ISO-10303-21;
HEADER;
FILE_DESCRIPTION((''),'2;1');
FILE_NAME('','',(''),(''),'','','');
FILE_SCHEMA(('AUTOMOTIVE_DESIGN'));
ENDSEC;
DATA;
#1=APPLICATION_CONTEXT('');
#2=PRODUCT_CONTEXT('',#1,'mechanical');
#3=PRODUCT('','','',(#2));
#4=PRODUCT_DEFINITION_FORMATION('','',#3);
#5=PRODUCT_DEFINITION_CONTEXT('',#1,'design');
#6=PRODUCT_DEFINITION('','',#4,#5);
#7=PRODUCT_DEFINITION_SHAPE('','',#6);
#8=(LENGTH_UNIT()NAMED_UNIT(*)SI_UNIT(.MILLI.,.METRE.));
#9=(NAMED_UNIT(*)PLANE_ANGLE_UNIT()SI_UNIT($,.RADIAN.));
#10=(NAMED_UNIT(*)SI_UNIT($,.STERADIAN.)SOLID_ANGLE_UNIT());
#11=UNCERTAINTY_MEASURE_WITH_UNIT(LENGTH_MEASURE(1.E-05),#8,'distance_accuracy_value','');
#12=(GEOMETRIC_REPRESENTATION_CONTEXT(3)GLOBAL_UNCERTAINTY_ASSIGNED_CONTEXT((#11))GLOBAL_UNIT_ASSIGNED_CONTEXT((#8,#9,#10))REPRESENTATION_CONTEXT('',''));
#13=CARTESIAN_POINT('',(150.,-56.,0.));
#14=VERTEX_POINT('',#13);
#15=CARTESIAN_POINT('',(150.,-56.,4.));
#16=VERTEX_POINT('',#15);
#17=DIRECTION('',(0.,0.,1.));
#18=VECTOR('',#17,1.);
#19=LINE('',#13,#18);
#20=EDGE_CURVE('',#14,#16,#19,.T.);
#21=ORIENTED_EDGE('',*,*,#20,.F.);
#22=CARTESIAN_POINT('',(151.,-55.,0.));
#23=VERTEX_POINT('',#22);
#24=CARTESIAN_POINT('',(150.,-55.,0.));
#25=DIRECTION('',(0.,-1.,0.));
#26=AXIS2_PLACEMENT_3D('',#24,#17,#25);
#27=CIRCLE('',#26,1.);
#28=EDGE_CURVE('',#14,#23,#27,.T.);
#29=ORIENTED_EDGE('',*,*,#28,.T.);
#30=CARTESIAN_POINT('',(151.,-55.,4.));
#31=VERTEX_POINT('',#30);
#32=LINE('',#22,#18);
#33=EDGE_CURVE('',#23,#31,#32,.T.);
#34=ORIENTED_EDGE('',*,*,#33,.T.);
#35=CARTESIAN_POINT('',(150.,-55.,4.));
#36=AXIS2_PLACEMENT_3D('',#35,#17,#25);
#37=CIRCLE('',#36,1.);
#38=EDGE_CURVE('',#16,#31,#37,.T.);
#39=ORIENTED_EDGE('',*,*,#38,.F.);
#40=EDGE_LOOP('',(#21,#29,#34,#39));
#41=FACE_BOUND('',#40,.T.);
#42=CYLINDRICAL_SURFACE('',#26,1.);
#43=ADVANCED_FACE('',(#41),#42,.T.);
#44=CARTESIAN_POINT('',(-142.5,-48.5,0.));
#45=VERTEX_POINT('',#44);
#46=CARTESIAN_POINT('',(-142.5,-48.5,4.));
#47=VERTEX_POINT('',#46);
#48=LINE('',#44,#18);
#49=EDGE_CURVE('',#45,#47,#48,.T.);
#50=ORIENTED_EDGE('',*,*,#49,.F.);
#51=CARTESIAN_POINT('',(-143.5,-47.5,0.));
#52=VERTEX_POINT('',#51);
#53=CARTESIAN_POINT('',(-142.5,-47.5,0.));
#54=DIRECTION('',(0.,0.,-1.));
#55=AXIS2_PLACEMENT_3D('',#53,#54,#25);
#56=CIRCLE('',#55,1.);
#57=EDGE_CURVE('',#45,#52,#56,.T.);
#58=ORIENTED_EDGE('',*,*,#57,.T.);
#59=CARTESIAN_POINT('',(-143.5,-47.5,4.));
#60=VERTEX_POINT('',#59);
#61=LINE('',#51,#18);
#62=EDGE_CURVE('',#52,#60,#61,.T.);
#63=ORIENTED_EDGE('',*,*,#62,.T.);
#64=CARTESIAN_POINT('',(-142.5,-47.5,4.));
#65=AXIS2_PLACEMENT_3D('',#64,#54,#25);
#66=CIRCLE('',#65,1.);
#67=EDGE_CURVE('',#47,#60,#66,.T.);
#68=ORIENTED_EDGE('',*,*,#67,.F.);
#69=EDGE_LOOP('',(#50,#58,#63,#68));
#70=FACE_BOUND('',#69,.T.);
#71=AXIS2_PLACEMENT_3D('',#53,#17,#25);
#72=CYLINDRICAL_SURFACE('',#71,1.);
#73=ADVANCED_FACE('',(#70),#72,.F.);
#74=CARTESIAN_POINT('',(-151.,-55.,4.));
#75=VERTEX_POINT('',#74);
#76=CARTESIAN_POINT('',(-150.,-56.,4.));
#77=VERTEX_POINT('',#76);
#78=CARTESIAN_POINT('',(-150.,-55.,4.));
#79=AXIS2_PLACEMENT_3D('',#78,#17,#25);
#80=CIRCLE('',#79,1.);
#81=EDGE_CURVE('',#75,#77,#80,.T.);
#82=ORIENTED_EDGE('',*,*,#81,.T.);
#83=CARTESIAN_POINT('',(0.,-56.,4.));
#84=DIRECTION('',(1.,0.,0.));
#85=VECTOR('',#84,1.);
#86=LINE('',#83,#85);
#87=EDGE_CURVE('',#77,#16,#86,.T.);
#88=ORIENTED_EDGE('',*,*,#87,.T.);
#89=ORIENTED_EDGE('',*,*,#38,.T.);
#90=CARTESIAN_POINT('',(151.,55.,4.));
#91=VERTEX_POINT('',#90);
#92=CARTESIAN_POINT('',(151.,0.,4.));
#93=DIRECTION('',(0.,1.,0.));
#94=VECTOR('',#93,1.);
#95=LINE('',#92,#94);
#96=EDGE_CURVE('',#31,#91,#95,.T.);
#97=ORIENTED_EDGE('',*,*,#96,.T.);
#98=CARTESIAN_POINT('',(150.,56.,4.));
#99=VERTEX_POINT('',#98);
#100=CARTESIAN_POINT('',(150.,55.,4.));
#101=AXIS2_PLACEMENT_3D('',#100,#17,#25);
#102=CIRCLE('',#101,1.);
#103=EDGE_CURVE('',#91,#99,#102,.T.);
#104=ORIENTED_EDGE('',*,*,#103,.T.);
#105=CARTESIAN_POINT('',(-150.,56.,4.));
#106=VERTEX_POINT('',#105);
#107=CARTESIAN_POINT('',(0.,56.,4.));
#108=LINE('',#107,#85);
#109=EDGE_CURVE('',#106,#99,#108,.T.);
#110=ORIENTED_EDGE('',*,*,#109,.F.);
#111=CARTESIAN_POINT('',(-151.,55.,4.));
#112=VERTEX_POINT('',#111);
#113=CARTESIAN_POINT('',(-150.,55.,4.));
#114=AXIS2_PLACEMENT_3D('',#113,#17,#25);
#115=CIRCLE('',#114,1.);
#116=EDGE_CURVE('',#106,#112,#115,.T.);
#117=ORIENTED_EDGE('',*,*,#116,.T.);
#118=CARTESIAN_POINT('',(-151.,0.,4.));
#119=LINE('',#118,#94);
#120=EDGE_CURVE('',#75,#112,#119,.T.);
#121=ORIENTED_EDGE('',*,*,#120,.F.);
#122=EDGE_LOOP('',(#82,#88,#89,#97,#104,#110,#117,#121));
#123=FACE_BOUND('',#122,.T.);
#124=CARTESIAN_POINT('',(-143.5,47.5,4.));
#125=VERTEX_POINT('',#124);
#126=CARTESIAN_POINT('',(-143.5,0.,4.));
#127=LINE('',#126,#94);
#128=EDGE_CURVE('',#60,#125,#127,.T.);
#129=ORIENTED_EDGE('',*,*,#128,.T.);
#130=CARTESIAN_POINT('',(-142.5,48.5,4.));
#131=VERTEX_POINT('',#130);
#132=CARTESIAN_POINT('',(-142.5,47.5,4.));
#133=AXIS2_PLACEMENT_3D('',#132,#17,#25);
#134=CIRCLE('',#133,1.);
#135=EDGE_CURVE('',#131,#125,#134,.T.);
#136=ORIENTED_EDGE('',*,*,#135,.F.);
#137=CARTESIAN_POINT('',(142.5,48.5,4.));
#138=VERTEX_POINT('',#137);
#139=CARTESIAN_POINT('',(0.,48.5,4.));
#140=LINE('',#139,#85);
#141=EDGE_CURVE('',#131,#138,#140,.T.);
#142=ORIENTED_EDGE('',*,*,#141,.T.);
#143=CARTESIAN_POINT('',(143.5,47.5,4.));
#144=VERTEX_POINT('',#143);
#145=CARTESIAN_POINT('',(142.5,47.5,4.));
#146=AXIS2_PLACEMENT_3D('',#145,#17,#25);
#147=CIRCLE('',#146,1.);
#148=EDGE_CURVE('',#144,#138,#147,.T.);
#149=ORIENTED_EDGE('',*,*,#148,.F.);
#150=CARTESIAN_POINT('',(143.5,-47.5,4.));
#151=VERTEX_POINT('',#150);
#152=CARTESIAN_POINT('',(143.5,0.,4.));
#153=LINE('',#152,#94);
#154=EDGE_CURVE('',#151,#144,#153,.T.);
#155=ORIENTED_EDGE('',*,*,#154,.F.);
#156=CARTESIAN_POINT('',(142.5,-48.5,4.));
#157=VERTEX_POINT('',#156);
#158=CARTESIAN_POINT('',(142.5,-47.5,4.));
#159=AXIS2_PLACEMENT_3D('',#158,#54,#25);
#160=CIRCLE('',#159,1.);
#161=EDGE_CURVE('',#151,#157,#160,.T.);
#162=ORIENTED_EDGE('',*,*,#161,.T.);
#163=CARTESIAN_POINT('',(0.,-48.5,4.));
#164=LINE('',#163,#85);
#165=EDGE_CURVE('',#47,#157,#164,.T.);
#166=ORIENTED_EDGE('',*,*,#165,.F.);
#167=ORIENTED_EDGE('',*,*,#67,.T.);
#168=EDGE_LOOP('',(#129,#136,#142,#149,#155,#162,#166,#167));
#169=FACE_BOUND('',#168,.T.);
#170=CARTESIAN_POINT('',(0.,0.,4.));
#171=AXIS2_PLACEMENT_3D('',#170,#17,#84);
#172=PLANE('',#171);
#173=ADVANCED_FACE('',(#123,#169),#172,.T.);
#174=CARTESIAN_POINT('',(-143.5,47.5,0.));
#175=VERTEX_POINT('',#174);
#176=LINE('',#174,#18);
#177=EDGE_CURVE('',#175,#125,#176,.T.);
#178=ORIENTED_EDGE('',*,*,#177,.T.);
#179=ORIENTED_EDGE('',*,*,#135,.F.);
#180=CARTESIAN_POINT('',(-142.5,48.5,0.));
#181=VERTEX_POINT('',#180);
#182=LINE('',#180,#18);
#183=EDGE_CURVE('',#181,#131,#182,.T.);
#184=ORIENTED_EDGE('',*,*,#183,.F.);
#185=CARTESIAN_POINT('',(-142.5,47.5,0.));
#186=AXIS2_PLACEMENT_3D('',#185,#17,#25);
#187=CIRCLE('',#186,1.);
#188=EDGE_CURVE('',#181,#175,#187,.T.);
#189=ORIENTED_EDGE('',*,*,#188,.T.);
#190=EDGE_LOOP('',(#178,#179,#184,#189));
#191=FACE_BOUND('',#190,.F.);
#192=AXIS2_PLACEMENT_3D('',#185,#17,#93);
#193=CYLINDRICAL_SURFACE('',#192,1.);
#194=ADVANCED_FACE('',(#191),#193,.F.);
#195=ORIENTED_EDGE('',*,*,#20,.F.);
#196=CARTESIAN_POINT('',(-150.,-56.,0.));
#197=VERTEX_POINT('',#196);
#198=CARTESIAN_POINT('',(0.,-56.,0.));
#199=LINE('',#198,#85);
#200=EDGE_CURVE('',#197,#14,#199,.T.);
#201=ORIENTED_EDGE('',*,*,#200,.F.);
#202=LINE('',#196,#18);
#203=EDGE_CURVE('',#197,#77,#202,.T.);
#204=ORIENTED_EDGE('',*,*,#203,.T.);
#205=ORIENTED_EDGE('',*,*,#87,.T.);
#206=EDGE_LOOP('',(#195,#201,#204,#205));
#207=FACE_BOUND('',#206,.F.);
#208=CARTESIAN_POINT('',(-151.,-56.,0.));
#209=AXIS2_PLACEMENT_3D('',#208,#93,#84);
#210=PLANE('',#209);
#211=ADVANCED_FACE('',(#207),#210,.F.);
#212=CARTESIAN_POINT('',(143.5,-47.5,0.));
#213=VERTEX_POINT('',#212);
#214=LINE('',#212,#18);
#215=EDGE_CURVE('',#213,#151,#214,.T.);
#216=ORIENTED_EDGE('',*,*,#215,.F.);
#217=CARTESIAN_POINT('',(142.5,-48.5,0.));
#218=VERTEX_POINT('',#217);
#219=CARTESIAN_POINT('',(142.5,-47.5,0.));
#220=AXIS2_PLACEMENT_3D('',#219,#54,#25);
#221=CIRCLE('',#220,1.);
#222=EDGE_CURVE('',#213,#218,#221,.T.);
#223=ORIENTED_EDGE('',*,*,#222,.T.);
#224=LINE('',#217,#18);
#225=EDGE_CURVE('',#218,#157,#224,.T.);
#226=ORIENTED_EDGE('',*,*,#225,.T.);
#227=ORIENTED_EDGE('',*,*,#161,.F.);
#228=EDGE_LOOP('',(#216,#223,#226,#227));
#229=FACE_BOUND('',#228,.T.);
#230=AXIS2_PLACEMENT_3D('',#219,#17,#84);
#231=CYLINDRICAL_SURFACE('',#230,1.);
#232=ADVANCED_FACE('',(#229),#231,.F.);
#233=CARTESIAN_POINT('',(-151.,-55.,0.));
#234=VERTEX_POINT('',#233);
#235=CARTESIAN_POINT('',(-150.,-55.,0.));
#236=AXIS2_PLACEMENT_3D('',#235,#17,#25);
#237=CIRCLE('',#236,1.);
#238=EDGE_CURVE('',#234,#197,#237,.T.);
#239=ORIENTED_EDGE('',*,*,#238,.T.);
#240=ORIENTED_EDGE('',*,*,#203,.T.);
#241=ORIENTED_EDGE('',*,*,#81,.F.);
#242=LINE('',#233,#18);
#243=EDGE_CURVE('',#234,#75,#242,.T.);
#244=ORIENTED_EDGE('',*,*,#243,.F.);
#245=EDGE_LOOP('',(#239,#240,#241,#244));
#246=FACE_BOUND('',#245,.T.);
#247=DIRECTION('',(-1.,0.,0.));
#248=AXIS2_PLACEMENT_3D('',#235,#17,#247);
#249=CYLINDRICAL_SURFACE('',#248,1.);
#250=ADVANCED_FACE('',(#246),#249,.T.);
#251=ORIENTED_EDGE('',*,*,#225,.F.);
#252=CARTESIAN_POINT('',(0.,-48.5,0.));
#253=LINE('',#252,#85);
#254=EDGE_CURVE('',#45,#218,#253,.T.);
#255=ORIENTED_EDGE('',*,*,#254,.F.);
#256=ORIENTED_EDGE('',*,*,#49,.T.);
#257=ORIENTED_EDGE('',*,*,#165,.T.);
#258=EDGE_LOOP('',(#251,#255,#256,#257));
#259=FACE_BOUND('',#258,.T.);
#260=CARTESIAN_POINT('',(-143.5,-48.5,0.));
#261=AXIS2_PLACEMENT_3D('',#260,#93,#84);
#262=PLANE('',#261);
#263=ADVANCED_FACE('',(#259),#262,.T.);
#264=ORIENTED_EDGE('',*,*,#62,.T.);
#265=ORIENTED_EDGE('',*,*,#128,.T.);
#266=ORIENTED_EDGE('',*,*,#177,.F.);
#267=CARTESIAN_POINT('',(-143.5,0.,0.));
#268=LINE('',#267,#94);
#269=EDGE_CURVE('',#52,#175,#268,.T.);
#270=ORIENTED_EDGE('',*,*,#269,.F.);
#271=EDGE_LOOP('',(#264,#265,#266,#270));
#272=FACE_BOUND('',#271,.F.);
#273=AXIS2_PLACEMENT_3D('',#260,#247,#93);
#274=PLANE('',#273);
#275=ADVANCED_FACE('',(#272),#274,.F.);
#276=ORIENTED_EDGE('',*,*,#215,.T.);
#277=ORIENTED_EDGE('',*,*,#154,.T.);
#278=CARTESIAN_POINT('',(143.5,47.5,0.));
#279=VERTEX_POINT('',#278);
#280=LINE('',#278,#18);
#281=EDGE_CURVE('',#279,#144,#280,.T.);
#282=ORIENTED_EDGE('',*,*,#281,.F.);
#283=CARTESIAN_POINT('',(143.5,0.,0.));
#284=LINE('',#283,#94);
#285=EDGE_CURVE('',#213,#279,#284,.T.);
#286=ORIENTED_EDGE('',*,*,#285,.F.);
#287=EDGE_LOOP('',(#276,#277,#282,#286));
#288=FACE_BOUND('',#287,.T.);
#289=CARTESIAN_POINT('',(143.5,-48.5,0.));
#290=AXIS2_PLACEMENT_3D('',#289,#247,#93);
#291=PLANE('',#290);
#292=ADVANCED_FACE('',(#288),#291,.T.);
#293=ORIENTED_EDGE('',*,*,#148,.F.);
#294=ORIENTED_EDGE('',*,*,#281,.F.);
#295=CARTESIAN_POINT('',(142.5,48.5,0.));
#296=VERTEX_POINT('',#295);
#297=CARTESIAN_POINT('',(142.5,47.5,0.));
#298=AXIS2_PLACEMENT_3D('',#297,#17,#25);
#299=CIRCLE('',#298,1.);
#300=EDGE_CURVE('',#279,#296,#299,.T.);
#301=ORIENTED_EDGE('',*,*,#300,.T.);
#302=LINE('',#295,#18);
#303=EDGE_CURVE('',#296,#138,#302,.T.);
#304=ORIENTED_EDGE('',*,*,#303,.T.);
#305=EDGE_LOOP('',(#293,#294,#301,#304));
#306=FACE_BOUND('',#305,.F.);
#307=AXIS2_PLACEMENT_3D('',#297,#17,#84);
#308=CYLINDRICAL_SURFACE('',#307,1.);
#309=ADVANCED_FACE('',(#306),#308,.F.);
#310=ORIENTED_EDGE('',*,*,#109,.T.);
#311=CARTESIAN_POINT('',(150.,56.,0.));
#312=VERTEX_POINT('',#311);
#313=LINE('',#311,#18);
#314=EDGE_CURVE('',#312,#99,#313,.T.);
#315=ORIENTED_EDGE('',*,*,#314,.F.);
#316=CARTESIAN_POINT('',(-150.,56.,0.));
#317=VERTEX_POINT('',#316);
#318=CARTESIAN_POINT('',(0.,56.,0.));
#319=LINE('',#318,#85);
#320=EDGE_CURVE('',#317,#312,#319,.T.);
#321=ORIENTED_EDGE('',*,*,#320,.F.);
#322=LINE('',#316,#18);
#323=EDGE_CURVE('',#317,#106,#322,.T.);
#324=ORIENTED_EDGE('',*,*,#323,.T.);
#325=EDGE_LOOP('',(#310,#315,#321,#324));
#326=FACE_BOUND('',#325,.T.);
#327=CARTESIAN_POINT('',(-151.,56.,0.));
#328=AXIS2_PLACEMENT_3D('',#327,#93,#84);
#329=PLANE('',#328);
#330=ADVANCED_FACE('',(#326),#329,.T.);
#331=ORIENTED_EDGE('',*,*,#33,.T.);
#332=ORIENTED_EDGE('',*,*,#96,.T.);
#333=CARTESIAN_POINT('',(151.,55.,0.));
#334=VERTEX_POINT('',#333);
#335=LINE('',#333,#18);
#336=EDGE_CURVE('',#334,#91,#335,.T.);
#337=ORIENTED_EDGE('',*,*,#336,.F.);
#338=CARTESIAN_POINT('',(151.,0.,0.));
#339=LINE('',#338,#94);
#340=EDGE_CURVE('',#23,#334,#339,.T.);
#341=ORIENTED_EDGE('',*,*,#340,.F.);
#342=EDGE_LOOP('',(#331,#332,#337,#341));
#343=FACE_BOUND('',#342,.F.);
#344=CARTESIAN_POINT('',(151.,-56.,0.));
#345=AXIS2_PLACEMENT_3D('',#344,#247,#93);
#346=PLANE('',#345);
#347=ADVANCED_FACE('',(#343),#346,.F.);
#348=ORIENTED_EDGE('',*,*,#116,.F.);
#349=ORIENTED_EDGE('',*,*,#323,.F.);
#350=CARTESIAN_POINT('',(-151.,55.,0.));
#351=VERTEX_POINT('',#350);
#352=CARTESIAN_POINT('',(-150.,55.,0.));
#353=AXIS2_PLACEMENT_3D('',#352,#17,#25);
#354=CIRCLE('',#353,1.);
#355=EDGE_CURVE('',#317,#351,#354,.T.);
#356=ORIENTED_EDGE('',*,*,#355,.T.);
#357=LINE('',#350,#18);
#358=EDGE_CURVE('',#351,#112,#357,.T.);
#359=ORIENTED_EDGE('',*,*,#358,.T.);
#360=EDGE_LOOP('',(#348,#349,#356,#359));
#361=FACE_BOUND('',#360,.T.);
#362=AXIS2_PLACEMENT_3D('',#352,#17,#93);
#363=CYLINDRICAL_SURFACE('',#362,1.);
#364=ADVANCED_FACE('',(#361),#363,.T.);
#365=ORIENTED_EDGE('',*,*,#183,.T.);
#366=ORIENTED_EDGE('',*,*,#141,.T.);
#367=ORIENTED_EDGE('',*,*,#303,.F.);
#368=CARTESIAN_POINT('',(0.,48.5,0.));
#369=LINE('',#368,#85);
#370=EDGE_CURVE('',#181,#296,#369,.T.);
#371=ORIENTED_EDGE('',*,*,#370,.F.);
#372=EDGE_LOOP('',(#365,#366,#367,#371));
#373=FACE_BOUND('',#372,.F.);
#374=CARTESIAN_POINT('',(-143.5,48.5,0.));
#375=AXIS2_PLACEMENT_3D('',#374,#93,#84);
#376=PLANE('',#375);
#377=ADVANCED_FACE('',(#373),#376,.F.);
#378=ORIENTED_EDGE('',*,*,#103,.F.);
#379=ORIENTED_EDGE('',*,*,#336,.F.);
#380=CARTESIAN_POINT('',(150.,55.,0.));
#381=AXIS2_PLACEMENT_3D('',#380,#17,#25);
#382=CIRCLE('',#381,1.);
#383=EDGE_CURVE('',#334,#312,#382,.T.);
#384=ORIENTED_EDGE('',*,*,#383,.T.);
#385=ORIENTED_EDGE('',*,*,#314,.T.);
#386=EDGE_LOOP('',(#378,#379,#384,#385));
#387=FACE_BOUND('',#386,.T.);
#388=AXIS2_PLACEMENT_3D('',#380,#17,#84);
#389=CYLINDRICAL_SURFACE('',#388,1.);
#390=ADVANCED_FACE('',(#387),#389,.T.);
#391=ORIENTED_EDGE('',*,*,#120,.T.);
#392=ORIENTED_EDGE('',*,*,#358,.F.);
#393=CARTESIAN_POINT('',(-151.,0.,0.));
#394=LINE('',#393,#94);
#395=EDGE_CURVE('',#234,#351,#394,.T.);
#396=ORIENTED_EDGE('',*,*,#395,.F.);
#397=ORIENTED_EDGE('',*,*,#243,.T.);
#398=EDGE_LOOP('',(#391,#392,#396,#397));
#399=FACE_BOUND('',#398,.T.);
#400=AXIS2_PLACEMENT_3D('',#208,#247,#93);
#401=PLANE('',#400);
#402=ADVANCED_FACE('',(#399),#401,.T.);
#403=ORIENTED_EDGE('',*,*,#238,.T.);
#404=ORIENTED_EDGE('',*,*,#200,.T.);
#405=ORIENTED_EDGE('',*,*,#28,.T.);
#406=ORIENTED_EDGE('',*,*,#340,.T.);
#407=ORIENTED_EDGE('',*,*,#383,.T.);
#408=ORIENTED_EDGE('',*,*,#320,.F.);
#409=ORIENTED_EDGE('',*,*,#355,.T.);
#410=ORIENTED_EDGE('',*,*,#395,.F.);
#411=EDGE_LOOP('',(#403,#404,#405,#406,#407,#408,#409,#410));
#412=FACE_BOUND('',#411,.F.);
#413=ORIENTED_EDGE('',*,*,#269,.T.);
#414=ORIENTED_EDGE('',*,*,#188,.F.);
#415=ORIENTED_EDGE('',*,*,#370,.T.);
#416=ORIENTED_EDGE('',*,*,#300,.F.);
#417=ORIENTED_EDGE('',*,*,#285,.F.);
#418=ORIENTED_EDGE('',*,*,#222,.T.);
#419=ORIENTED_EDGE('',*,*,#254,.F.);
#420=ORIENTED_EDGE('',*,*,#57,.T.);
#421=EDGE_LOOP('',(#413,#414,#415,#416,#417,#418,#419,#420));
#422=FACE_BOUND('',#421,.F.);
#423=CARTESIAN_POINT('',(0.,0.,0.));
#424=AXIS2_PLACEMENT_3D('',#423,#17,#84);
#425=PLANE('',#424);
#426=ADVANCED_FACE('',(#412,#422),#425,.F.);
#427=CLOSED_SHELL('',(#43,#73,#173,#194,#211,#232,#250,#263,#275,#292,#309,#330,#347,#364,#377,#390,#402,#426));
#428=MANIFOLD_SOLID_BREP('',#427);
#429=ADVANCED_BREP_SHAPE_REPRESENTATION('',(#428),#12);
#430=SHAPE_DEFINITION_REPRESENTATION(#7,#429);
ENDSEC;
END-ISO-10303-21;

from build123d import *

# Parameters (mm, degrees)
SKETCH_W    = 302
SKETCH_H    = 112
SKETCH_W_2  = 287
SKETCH_H_2  = 97
PAD_DEPTH   = 4
FILLET_R    = 1
FILLET001_R = 1
FILLET002_R = 1
FILLET003_R = 1
FILLET004_R = 1
FILLET005_R = 1
FILLET006_R = 1
FILLET007_R = 1


with BuildPart() as part:
    # Sketch → Pad (new body)
    with BuildSketch(Plane.XY):
        Rectangle(SKETCH_W, SKETCH_H)
        Rectangle(SKETCH_W_2, SKETCH_H_2, mode=Mode.SUBTRACT)
    extrude(amount=PAD_DEPTH)

    # Fillet
    fillet_edges = [part.edges().sort_by_distance(p)[0] for p in [
        (-151, -56, 2),
    ]]
    fillet(fillet_edges, radius=FILLET_R)

    # Fillet001
    fillet001_edges = [part.edges().sort_by_distance(p)[0] for p in [
        (151, -56, 2),
    ]]
    fillet(fillet001_edges, radius=FILLET001_R)

    # Fillet002
    fillet002_edges = [part.edges().sort_by_distance(p)[0] for p in [
        (-143.5, 48.5, 2),
    ]]
    fillet(fillet002_edges, radius=FILLET002_R)

    # Fillet003
    fillet003_edges = [part.edges().sort_by_distance(p)[0] for p in [
        (151, 56, 2),
    ]]
    fillet(fillet003_edges, radius=FILLET003_R)

    # Fillet004
    fillet004_edges = [part.edges().sort_by_distance(p)[0] for p in [
        (-151, 56, 2),
    ]]
    fillet(fillet004_edges, radius=FILLET004_R)

    # Fillet005
    fillet005_edges = [part.edges().sort_by_distance(p)[0] for p in [
        (143.5, -48.5, 2),
    ]]
    fillet(fillet005_edges, radius=FILLET005_R)

    # Fillet006
    fillet006_edges = [part.edges().sort_by_distance(p)[0] for p in [
        (143.5, 48.5, 2),
    ]]
    fillet(fillet006_edges, radius=FILLET006_R)

    # Fillet007
    fillet007_edges = [part.edges().sort_by_distance(p)[0] for p in [
        (-143.5, -48.5, 2),
    ]]
    fillet(fillet007_edges, radius=FILLET007_R)


solid = part.part
